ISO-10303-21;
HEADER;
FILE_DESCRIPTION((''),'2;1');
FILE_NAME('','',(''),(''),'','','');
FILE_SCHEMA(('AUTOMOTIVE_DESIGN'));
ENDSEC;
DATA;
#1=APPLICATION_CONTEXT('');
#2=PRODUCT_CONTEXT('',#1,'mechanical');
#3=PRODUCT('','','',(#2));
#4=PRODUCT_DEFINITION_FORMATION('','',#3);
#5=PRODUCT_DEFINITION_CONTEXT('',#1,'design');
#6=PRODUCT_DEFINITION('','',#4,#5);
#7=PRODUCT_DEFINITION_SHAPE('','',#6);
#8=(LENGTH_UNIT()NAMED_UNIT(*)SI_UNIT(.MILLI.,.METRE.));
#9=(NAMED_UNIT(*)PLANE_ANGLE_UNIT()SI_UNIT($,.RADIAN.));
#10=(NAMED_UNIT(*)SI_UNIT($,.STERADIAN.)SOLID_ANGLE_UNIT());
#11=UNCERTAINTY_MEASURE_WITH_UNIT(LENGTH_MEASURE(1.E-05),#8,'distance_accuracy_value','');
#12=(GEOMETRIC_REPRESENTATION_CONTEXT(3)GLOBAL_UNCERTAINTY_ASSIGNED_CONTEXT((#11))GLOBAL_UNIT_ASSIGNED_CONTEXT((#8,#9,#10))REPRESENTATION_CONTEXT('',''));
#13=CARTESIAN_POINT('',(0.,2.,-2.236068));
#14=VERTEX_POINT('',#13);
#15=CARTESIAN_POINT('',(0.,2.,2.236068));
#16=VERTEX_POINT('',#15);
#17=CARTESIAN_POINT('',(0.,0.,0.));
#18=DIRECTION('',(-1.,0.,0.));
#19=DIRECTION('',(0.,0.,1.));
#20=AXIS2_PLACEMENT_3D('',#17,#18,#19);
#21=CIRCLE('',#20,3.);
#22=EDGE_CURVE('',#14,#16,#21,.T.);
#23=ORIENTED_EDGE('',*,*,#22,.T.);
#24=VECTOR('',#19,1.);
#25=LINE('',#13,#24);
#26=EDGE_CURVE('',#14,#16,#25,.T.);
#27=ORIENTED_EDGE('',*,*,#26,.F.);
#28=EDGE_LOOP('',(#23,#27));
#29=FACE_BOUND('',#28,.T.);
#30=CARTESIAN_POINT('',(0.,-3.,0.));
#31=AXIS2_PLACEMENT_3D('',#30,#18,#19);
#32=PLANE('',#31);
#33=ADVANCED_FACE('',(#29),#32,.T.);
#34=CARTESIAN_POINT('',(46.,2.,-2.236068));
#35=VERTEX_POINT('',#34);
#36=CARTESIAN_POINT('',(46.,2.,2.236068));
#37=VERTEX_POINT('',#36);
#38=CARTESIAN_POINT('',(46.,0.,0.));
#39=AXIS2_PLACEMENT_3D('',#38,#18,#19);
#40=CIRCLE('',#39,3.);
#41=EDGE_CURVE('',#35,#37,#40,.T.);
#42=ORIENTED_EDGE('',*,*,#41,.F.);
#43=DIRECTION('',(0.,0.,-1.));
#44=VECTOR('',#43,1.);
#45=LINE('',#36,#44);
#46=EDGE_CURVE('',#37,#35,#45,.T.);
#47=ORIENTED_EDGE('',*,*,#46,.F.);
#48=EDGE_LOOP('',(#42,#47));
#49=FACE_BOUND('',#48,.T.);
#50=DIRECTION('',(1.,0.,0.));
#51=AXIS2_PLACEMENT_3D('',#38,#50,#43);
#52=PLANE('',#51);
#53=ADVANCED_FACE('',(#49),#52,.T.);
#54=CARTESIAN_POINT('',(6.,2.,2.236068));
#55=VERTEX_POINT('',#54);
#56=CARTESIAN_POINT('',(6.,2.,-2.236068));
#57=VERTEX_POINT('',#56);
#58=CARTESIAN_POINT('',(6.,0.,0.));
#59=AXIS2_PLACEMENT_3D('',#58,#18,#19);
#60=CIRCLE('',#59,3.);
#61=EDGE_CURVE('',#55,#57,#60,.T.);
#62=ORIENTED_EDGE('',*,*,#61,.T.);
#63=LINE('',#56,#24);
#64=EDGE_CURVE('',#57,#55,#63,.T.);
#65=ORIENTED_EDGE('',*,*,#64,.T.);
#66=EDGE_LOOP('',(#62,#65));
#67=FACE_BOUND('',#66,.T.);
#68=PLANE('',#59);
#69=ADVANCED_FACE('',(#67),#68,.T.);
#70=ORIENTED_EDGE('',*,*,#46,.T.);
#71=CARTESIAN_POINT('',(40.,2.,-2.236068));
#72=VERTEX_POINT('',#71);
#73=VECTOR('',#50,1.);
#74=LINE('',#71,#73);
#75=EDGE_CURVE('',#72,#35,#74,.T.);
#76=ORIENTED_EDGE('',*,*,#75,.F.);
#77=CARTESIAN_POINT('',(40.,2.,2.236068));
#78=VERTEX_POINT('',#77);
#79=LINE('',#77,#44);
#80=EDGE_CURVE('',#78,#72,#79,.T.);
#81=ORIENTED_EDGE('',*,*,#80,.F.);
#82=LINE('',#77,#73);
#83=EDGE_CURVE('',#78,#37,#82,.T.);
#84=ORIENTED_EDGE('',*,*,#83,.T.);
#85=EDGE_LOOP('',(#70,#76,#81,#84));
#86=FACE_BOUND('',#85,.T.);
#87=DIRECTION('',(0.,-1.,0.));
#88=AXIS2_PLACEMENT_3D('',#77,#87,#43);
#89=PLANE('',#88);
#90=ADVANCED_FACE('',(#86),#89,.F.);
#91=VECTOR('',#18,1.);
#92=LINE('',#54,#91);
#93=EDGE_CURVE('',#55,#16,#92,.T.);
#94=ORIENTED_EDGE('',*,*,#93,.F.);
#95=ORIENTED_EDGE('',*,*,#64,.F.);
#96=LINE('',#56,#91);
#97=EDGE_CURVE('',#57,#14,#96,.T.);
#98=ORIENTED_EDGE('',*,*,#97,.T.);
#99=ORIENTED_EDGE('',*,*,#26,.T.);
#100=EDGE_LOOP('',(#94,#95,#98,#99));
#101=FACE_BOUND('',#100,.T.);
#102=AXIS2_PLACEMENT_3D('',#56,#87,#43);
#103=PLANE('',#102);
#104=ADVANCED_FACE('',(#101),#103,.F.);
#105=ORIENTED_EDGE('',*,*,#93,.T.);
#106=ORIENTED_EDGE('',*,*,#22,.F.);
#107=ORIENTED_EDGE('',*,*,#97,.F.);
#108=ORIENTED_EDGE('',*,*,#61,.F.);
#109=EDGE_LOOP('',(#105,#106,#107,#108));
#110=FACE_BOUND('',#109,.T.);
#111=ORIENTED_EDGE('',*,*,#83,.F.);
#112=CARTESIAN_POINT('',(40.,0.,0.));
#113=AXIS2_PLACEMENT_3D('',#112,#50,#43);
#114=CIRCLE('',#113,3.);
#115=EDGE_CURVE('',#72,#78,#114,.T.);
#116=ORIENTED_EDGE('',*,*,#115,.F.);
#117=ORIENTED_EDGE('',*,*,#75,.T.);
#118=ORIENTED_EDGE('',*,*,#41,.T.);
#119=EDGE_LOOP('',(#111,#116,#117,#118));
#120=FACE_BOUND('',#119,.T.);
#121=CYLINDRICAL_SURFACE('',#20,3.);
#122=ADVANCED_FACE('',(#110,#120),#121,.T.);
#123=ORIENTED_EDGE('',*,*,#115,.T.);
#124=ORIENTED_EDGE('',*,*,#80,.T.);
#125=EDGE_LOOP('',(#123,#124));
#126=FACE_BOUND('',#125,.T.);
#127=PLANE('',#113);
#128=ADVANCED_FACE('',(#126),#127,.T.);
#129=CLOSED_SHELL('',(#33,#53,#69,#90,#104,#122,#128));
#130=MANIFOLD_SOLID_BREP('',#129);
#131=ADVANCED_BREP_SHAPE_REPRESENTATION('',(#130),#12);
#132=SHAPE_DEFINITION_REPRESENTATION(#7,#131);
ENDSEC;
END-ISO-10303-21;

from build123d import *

# Parameters (mm, degrees)
SKETCH2_W          = 46
SKETCH2_H          = 3
CUT_EXTRUDE1_DEPTH = 6
CUT_EXTRUDE2_DEPTH = 6


with BuildPart() as part:
    # Sketch2 → Revolve1 (revolve)
    with BuildSketch(Plane.XY):
        with Locations((23, -1.5)):
            Rectangle(SKETCH2_W, SKETCH2_H)
    revolve(axis=Axis((0, 0, 0), (1, 0, 0)))

    # Sketch3 → Cut-Extrude1 (cut)
    with BuildSketch(Plane(origin=(46, 0, 0), x_dir=(0, 0, -1), z_dir=(1, 0, 0))):
        with BuildLine():
            Line((-2.236067977, 2), (2.236067977, 2))
            ThreePointArc((2.236067977, 2), (0, 3), (-2.236067977, 2))
        make_face()
    extrude(amount=-CUT_EXTRUDE1_DEPTH, mode=Mode.SUBTRACT)

    # Sketch4 → Cut-Extrude2 (cut)
    with BuildSketch(Plane.ZY):
        with BuildLine():
            Line((-2.236067977, 2), (2.236067977, 2))
            ThreePointArc((2.236067977, 2), (0, 3), (-2.236067977, 2))
        make_face()
    extrude(amount=-CUT_EXTRUDE2_DEPTH, mode=Mode.SUBTRACT)


solid = part.part
